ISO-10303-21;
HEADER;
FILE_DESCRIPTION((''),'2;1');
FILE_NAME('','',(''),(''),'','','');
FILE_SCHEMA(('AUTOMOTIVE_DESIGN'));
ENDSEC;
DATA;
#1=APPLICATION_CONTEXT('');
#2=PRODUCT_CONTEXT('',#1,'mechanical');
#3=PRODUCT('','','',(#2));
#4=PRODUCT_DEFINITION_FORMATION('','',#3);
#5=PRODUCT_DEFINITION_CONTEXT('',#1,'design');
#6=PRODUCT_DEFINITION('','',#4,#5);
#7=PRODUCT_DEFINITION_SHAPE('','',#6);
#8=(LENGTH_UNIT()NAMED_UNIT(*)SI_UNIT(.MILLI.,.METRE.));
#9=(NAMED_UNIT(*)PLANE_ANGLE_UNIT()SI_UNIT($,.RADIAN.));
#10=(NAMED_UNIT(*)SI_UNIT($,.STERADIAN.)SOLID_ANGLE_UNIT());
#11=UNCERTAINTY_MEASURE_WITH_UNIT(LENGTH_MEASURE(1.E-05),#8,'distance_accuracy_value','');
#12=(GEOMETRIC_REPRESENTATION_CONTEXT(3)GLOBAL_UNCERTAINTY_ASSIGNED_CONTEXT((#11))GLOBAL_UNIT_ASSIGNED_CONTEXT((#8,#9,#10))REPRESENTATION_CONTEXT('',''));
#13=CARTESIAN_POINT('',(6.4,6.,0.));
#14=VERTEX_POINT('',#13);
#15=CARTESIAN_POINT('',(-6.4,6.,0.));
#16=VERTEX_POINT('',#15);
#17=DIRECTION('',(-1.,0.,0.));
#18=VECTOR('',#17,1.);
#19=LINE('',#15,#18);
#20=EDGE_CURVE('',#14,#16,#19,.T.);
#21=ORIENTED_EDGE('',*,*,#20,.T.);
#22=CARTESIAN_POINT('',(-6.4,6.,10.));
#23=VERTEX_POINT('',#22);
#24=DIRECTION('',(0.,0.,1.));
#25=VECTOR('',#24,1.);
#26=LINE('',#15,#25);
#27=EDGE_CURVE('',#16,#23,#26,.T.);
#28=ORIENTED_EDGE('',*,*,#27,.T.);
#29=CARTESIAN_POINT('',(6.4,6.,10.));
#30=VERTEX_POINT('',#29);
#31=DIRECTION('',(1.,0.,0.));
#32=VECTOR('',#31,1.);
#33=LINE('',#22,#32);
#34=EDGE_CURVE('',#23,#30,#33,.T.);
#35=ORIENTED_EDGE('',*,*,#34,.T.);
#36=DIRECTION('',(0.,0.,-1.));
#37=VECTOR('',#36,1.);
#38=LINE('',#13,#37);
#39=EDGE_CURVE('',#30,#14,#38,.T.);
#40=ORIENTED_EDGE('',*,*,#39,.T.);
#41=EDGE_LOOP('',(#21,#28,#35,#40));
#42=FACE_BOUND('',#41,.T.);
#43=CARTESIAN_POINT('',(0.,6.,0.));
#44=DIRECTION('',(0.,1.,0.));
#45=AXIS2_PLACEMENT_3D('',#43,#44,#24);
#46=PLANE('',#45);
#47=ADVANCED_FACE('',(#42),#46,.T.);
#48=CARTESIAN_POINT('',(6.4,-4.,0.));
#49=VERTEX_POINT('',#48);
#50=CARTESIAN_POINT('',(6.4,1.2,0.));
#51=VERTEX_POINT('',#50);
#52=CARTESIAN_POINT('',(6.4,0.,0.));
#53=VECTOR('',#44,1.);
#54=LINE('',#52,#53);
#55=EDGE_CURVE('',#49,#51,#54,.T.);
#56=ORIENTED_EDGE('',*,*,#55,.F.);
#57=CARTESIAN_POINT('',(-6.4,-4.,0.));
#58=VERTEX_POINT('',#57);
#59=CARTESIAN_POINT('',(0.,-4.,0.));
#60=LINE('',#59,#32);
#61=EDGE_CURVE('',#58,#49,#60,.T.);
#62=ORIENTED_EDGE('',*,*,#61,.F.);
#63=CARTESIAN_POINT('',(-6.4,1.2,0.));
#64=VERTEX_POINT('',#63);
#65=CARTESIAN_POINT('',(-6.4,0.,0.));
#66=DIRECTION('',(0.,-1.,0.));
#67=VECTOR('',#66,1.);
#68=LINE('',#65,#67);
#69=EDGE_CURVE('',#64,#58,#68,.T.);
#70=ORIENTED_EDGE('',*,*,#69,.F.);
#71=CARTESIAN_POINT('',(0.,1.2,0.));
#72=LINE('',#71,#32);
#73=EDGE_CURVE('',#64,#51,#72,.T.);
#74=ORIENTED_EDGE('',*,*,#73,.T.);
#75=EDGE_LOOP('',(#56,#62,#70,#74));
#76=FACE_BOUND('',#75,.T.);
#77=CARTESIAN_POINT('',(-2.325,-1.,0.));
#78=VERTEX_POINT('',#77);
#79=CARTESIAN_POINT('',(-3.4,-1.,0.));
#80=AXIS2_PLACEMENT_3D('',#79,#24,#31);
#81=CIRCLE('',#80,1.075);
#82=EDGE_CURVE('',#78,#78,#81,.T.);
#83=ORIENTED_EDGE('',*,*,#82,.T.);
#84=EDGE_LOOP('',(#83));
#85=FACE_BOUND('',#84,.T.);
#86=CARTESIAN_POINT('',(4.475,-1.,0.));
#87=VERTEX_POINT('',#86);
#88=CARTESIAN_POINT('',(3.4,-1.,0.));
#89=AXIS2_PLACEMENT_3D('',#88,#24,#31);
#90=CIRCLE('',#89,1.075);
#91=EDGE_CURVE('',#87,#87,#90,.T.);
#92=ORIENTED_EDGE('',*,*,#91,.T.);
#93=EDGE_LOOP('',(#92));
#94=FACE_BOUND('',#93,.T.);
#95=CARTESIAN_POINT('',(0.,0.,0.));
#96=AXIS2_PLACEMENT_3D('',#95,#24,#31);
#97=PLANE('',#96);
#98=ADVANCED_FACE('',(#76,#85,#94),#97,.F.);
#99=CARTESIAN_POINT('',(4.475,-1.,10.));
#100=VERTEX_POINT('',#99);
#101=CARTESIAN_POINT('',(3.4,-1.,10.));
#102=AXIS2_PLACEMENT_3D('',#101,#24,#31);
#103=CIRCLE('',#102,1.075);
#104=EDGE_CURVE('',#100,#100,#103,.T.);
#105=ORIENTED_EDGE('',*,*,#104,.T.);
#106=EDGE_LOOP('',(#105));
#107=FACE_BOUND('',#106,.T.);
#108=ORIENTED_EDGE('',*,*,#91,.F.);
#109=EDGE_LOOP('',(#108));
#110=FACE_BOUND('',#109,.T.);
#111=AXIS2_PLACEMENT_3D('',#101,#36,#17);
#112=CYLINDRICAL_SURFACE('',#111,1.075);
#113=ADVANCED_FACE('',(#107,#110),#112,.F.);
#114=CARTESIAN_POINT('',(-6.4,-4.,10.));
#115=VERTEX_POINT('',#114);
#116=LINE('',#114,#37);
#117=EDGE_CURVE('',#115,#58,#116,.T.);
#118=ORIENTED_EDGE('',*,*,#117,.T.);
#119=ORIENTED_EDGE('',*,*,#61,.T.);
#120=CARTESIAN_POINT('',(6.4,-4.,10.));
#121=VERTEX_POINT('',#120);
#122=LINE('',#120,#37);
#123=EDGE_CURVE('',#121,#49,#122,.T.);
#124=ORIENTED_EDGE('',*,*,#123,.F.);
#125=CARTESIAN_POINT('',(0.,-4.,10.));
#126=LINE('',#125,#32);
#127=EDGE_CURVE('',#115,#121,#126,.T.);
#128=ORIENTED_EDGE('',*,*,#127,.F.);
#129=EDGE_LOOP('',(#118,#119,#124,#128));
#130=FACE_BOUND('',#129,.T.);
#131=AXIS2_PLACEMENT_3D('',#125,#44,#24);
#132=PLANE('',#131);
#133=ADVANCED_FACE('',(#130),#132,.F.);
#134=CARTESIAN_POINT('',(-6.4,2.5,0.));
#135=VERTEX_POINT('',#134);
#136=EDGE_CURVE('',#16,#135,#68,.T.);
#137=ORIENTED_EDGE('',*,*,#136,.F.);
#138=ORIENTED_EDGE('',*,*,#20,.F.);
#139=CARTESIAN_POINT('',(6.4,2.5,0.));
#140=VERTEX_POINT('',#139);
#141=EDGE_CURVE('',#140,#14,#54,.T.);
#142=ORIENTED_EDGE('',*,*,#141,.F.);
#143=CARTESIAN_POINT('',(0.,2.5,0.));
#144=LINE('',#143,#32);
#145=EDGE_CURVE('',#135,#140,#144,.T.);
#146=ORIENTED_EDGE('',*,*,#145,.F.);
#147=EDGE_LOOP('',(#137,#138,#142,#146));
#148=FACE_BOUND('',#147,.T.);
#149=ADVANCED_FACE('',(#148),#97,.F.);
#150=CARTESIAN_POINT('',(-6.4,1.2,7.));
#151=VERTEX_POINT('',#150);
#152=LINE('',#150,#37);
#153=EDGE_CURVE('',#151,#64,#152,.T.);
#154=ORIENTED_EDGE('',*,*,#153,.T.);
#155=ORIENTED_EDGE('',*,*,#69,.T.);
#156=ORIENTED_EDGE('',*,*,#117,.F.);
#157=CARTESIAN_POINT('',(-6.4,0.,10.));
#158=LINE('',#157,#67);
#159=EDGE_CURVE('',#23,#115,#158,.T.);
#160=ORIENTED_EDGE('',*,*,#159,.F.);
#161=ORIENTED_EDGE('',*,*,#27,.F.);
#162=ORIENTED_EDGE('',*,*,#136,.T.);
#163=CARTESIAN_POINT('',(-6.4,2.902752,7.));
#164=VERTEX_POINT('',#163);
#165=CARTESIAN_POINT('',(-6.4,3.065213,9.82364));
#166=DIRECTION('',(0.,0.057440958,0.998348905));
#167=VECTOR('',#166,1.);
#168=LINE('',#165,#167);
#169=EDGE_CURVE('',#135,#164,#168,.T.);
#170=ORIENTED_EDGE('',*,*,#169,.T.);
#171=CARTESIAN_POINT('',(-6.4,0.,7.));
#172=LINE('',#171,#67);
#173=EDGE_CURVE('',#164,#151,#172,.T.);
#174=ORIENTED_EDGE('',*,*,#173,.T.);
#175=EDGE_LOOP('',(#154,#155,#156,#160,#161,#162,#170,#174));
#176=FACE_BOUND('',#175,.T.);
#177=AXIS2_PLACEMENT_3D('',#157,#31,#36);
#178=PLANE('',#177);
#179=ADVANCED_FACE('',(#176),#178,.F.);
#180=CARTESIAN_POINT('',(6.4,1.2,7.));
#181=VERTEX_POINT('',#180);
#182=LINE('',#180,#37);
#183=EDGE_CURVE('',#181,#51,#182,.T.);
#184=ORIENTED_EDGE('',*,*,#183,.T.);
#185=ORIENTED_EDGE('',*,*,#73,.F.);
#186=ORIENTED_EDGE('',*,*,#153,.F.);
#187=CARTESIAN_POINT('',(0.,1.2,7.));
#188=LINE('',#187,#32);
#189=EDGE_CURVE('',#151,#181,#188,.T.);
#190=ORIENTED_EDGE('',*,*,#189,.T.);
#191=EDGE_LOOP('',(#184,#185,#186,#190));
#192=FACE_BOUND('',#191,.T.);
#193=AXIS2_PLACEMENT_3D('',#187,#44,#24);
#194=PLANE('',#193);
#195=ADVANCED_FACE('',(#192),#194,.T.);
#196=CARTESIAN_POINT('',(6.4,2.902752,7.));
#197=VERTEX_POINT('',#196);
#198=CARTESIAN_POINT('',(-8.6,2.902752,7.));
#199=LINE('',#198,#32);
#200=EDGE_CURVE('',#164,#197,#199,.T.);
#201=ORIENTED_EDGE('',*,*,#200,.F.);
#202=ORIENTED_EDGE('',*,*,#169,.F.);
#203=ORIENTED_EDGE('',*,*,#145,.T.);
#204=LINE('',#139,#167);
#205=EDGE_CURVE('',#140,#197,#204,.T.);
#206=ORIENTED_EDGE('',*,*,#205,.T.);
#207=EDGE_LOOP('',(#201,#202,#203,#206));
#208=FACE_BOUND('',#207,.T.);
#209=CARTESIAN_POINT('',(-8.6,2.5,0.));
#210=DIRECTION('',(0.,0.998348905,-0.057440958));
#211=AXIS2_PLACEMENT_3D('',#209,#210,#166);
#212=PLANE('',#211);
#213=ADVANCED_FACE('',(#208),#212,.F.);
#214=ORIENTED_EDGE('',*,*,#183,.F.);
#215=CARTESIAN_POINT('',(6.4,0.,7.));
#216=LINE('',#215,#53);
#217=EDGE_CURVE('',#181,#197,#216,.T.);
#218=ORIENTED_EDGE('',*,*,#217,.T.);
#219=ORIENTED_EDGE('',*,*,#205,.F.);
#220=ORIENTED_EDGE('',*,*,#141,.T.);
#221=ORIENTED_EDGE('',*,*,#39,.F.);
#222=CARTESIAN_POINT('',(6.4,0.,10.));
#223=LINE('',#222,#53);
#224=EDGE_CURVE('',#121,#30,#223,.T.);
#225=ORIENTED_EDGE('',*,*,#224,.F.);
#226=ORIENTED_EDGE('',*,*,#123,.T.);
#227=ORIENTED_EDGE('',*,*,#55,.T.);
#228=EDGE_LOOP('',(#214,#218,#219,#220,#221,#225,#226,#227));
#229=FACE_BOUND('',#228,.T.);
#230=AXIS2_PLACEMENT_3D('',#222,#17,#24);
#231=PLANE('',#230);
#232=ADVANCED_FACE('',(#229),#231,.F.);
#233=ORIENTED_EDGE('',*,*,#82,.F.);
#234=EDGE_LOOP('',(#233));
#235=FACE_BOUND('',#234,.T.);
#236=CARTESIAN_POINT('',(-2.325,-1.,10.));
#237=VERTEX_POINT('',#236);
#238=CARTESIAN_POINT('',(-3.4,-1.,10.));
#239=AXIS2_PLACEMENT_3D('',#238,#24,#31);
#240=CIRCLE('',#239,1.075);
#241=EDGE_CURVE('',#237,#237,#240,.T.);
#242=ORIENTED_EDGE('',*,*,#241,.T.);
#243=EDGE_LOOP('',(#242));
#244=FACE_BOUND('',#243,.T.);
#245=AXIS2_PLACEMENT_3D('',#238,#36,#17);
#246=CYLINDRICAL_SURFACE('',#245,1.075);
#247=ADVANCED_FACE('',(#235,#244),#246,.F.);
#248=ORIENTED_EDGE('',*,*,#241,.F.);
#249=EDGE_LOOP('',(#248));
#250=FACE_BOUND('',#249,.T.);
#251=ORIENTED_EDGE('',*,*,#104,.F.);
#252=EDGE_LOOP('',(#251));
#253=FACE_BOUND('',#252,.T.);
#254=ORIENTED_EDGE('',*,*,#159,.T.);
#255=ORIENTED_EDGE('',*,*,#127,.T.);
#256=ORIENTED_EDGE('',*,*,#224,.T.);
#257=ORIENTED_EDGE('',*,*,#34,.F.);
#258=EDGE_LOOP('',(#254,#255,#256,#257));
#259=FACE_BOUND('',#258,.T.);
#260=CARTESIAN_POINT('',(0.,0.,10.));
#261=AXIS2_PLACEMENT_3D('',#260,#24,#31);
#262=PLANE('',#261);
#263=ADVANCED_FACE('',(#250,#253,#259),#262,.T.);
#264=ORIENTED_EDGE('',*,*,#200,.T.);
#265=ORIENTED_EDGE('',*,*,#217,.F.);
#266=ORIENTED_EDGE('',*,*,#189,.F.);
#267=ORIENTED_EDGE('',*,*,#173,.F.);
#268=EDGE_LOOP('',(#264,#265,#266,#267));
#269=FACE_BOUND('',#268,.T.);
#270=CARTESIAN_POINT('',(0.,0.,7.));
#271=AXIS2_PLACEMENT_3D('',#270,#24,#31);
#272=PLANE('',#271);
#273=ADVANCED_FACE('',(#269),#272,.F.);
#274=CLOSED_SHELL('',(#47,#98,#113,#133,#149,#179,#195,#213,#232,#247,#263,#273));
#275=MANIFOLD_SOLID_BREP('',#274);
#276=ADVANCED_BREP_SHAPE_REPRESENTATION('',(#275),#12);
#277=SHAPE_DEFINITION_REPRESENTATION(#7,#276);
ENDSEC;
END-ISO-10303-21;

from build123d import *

# Parameters (mm, degrees)
BOSS_EXTRUDE1_DEPTH = 10
SKETCH1_3_W         = 12.8
SKETCH1_3_H         = 1.3
BOSS_EXTRUDE2_DEPTH = 7
SKETCH1_5_W         = 12.8
SKETCH1_5_H         = 1.3
CUT_EXTRUDE1_DEPTH  = 7
SKETCH1_6_R         = 1.075
CUT_EXTRUDE2_DEPTH  = 10
SKETCH4_W           = 12.8
SKETCH4_H           = 10
BOSS_EXTRUDE3_DEPTH = 1
CUT_EXTRUDE3_DEPTH  = 15
SKETCH8_W           = 12.8
SKETCH8_H           = 10
BOSS_EXTRUDE4_DEPTH = 1


with BuildPart() as part:
    # Sketch1 → Boss-Extrude1 (new body)
    with BuildSketch(Plane.XY):
        Polygon((6.4, 4), (-6.4, 4), (-6.4, -1), (-6.4, -4), (6.4, -4), (6.4, -1), align=None)
    extrude(amount=BOSS_EXTRUDE1_DEPTH)

    # Sketch1<3> → Boss-Extrude2 (add)
    with BuildSketch(Plane.XY):
        with Locations((0, 1.85)):
            Rectangle(SKETCH1_3_W, SKETCH1_3_H)
    extrude(amount=BOSS_EXTRUDE2_DEPTH)

    # Sketch1<5> → Cut-Extrude1 (cut)
    with BuildSketch(Plane.XY):
        with Locations((0, 1.85)):
            Rectangle(SKETCH1_5_W, SKETCH1_5_H)
    extrude(amount=CUT_EXTRUDE1_DEPTH, mode=Mode.SUBTRACT)

    # Sketch1<6> → Cut-Extrude2 (cut)
    with BuildSketch(Plane.XY):
        with Locations((3.4, -1)):
            Circle(SKETCH1_6_R)
        with Locations((-3.4, -1)):
            Circle(SKETCH1_6_R)
    extrude(amount=CUT_EXTRUDE2_DEPTH, mode=Mode.SUBTRACT)

    # Sketch4 → Boss-Extrude3 (add)
    with BuildSketch(Plane(origin=(0, 4, 0), x_dir=(1, 0, 0), z_dir=(0, 1, 0))):
        with Locations((0, -5)):
            Rectangle(SKETCH4_W, SKETCH4_H)
    extrude(amount=BOSS_EXTRUDE3_DEPTH)

    # Sketch6 → Cut-Extrude3 (cut)
    with BuildSketch(Plane(origin=(6.4, 0, 0), x_dir=(0, 0, -1), z_dir=(1, 0, 0))):
        Polygon((0, 2.5), (-7, 2.902751688), (-7, 2.5), align=None)
    extrude(amount=-CUT_EXTRUDE3_DEPTH, mode=Mode.SUBTRACT)

    # Sketch8 → Boss-Extrude4 (add)
    with BuildSketch(Plane(origin=(0, 5, 0), x_dir=(1, 0, 0), z_dir=(0, 1, 0))):
        with Locations((0, -5)):
            Rectangle(SKETCH8_W, SKETCH8_H)
    extrude(amount=BOSS_EXTRUDE4_DEPTH)


solid = part.part
